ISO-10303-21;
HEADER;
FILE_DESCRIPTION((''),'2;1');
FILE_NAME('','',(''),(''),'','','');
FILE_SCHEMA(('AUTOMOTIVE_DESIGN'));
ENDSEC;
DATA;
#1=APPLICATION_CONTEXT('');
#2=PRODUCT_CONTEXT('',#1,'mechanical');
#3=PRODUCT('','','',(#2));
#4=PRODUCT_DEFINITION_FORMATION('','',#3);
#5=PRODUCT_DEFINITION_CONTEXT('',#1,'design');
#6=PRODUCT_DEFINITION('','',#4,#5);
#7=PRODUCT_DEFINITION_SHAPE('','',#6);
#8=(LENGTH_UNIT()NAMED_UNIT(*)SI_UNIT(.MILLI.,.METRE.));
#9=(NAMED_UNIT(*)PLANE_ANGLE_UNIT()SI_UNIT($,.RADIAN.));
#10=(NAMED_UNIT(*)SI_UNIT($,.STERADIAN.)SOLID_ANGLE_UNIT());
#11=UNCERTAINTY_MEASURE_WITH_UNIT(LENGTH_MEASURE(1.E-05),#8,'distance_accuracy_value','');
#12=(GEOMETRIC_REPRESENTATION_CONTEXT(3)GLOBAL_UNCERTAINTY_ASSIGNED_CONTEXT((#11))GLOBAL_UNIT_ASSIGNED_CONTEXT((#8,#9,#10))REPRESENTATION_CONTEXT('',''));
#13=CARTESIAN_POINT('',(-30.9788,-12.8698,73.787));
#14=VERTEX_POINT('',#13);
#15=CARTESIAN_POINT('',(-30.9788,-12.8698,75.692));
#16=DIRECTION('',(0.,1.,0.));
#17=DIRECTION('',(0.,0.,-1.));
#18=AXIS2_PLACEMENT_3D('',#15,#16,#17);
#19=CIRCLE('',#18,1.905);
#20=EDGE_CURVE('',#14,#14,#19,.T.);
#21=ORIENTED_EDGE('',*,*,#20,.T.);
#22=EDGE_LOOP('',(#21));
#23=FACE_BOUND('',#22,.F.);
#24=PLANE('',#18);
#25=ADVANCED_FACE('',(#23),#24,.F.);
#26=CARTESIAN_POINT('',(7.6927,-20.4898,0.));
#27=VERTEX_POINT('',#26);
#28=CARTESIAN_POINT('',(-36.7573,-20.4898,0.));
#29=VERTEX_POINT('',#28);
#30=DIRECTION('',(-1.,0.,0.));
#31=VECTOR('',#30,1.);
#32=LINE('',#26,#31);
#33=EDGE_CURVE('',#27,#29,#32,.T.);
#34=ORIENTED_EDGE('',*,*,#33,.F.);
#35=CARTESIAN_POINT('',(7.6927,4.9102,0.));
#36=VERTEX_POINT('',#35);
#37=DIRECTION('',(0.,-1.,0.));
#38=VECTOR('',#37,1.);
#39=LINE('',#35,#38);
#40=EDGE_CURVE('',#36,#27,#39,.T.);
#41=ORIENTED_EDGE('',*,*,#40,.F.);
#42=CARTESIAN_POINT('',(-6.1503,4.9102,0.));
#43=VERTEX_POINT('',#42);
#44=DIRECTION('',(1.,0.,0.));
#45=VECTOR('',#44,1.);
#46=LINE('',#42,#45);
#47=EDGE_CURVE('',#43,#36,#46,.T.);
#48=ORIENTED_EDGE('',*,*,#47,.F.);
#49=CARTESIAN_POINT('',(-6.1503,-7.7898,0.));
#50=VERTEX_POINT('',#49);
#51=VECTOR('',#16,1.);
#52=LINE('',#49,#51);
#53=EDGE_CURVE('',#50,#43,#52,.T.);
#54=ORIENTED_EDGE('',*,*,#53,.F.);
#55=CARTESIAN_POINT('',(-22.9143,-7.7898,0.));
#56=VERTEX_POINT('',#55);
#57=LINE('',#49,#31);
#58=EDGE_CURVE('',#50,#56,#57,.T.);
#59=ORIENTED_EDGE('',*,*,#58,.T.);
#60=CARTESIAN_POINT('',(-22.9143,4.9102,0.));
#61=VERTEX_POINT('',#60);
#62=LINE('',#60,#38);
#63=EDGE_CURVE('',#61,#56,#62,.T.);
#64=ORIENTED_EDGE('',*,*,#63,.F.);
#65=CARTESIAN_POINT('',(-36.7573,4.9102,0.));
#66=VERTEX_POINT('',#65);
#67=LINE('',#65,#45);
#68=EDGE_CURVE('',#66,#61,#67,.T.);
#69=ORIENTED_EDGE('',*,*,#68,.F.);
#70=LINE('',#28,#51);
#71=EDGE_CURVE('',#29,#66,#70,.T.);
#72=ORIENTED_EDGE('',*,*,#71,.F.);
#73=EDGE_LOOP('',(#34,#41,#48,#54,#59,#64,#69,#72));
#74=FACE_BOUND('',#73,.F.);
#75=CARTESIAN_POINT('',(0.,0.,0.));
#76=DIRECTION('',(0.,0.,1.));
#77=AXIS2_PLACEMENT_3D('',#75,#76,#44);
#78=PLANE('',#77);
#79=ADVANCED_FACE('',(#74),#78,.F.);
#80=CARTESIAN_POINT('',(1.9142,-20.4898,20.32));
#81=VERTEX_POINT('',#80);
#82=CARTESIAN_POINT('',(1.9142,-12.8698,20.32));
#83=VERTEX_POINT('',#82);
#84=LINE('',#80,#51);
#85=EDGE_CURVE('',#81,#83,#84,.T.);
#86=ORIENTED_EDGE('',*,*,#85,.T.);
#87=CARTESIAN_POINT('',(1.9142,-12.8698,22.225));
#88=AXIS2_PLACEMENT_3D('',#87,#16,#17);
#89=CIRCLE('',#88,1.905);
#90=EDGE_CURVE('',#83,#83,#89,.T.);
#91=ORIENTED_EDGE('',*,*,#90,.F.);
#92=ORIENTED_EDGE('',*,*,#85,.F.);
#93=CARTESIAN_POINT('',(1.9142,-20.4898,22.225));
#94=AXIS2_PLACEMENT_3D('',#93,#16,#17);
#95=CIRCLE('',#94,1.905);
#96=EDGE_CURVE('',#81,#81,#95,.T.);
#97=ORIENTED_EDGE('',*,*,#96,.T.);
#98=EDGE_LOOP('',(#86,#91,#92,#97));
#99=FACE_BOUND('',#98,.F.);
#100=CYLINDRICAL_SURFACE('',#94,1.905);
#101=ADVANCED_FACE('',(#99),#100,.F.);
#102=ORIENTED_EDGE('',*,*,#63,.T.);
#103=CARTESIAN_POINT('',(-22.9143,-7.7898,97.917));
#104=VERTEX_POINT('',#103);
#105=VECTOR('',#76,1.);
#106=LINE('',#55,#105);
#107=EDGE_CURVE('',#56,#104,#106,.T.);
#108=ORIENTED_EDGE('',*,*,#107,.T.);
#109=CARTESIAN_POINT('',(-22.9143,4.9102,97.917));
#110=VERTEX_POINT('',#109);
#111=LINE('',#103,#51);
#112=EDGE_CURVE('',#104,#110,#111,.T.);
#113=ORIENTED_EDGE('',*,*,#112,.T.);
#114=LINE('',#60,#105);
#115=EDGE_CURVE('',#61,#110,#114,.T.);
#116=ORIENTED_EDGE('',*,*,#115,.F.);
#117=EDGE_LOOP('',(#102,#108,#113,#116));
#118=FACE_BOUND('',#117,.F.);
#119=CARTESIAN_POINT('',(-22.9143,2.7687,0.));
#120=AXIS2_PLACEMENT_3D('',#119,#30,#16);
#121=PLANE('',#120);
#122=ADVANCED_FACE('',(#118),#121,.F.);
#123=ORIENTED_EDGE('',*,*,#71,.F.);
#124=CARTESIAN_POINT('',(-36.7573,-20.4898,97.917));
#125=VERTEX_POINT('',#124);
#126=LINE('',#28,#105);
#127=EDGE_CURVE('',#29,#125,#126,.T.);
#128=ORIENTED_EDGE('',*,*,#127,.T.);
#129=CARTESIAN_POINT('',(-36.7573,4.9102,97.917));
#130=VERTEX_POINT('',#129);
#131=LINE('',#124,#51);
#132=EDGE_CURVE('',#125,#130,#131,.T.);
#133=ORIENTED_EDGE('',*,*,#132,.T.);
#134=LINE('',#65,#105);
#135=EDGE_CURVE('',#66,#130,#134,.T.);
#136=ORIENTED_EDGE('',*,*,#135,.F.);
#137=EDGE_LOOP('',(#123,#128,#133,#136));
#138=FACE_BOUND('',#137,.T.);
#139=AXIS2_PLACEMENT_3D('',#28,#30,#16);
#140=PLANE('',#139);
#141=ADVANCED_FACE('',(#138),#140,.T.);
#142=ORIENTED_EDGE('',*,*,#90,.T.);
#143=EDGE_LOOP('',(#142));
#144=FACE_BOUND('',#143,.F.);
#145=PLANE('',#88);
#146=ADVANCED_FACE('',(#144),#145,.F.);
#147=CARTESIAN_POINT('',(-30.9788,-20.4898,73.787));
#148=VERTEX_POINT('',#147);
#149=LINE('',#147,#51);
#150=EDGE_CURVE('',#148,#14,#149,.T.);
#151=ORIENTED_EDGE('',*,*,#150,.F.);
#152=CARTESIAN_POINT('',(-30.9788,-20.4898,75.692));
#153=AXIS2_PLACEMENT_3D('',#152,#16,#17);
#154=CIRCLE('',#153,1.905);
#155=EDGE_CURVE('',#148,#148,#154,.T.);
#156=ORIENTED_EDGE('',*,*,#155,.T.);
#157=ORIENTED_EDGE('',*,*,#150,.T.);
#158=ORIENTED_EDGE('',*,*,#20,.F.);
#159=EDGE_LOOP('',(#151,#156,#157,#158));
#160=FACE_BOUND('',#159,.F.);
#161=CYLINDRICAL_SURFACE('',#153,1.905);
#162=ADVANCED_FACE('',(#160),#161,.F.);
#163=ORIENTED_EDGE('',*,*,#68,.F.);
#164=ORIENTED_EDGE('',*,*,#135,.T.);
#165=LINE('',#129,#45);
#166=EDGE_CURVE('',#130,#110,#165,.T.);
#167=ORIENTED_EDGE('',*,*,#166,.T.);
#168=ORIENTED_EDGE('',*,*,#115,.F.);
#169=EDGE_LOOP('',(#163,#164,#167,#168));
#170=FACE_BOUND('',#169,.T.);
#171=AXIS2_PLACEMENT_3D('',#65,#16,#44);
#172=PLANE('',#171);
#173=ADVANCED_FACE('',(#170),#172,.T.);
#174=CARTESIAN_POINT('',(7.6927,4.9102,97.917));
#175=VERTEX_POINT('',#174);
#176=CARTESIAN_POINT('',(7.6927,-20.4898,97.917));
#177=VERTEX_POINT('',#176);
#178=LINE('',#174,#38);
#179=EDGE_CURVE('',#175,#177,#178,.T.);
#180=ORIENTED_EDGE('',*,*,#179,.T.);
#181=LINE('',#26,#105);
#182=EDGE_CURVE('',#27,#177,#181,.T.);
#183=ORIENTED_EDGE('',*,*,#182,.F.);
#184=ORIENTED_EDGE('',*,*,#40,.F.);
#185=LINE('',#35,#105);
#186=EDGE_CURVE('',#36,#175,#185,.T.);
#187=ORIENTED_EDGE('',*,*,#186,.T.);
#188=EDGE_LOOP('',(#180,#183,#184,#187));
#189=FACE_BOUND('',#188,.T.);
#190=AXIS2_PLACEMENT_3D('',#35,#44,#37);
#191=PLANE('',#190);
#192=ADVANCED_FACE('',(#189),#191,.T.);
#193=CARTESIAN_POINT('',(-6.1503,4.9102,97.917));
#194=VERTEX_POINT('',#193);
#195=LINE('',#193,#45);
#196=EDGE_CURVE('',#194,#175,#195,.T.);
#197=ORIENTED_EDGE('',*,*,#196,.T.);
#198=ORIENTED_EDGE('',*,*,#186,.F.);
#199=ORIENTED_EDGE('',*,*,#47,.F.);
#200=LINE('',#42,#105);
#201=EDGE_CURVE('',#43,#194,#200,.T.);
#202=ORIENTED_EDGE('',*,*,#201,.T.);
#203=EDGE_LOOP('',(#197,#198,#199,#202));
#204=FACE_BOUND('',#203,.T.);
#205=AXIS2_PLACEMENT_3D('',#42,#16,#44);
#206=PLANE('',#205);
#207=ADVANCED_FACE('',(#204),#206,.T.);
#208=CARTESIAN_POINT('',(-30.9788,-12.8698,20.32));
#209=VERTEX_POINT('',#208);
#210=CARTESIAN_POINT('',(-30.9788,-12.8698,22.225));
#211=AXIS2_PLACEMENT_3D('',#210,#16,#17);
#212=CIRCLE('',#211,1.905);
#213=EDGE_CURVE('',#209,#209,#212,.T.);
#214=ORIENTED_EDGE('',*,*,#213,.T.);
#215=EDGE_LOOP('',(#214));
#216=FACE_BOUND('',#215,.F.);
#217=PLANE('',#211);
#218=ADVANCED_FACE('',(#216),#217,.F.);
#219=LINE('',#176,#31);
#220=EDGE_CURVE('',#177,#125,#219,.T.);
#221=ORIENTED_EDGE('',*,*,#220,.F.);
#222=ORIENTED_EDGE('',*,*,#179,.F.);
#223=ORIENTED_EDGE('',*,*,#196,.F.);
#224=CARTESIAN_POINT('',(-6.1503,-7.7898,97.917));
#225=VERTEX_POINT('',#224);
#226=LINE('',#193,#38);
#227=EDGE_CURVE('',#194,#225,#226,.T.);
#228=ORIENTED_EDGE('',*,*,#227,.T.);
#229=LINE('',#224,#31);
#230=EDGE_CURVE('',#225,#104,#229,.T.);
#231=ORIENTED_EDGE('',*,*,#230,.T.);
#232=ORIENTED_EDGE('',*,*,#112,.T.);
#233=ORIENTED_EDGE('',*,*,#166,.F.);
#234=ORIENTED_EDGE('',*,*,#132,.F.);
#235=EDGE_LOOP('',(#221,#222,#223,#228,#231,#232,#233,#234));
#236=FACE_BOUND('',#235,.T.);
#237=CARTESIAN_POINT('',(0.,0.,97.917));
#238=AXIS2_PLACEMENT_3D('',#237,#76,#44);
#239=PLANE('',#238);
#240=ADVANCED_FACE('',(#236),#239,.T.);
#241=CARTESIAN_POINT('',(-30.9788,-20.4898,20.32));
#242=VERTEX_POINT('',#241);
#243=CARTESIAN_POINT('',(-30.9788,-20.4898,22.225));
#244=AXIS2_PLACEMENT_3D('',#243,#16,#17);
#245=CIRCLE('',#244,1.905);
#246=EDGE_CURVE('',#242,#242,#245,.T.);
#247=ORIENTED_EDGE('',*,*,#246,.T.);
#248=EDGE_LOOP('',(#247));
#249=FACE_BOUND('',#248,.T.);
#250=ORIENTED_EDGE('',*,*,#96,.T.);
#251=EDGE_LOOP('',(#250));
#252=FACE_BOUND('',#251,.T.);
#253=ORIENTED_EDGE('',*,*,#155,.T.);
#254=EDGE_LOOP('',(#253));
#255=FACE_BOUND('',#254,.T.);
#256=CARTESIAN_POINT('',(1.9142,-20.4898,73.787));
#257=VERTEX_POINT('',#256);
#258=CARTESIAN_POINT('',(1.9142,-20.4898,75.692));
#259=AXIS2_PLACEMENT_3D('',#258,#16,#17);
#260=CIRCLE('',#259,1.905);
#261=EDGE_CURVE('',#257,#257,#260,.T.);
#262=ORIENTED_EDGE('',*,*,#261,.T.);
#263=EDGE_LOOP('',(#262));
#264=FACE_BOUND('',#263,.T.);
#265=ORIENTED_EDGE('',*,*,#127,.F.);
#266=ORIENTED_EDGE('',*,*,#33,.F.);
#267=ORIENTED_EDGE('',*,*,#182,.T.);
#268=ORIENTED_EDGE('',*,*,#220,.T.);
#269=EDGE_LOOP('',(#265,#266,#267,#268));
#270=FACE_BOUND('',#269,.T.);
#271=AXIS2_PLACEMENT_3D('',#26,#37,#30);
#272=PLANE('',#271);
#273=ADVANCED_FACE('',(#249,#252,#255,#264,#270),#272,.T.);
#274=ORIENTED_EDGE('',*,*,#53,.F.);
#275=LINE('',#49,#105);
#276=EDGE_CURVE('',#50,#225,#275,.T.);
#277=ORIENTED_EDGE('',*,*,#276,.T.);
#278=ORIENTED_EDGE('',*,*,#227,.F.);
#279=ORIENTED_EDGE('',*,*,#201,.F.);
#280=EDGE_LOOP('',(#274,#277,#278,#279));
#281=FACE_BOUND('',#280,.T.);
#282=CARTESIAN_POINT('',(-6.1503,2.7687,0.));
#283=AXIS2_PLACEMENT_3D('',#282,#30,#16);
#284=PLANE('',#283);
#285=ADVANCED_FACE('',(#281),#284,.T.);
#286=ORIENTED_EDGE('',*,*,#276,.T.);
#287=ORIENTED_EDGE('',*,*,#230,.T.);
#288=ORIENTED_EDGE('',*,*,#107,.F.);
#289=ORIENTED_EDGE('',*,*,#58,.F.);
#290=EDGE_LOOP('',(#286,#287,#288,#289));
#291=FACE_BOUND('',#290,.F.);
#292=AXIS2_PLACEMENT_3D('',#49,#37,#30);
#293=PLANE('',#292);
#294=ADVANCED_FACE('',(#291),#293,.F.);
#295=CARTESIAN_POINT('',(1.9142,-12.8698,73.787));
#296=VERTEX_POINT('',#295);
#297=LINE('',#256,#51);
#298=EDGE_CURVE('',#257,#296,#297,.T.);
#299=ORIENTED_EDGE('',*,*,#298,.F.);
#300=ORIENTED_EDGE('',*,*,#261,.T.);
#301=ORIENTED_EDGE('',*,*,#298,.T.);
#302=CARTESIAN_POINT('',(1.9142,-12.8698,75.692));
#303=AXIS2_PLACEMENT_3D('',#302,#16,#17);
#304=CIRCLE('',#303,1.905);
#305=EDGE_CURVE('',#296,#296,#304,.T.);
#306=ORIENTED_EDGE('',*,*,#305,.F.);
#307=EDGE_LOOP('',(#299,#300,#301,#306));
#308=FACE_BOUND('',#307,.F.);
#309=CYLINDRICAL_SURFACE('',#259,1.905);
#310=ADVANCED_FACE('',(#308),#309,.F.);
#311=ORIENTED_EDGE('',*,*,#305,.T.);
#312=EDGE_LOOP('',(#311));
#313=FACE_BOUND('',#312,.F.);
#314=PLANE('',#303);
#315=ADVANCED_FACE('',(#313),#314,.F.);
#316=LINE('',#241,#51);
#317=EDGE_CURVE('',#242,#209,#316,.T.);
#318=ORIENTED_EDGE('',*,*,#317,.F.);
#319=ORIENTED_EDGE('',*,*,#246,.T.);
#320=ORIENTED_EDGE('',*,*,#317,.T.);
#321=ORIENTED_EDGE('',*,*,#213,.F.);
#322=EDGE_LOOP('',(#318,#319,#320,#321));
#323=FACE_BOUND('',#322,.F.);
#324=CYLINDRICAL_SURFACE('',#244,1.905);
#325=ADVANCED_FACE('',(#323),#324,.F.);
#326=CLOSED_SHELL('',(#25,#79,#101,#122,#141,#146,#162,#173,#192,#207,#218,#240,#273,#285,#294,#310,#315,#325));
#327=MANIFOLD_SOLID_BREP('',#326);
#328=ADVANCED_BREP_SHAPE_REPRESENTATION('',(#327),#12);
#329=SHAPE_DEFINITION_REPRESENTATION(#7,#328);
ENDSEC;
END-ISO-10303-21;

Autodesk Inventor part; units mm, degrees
ref_plane "YZ Plane" through (0, 0, 0) normal (1, 0, 0) x (0, 1, 0)
ref_plane "XZ Plane" through (0, 0, 0) normal (0, 1, 0) x (-1, 0, 0)
ref_plane "XY Plane" through (0, 0, 0) normal (0, 0, 1) x (1, 0, 0)
sketch "Sketch1" plane through (0, 0, 0) normal (0, 0, 1) x (1, 0, 0)
  line L0 (7.6927, 4.9102) -> (7.6927, -20.4898)
  line L1 (7.6927, -20.4898) -> (-36.7573, -20.4898)
  line L2 (-36.7573, -20.4898) -> (-36.7573, 4.9102)
  line L3 (-6.1503, 2.7687) -> (-6.1503, -7.7898)
  line L4 (-6.1503, -7.7898) -> (-22.9143, -7.7898)
  line L5 (-22.9143, -7.7898) -> (-22.9143, 2.7687)
  line L6 (-22.9143, 2.7687) -> (-22.9143, 4.9102)
  line L7 (-6.1503, 2.7687) -> (-6.1503, 4.9102)
  line L8 (-36.7573, 4.9102) -> (-22.9143, 4.9102)
  line L9 (-6.1503, 4.9102) -> (7.6927, 4.9102)
  point P0 (0, 0)
  dimension "d0" = 44.45
  dimension "d1" = 25.4
  dimension "d2" = 16.764
  dimension "d4" = 13.843
  dimension "d5" = 13.843
  dimension "d6" = 12.7
extrude "Extrusion1" add sketch "Sketch1" along normal blind 97.917
sketch "Sketch2" plane through (-36.7573, -20.4898, 0) normal (0, -1, 0) x (1, 0, 0)
  line L0 (44.45, 0) -> (44.45, 97.917) projected
  line L1 (0, 0) -> (0, 97.917) projected
  line L2 (0, 0) -> (44.45, 0) projected
  line L3 (0, 97.917) -> (44.45, 97.917) projected
  point P0 (36.7573, 0)
  point P1 (38.6715, 22.225)
  point P2 (5.7785, 22.225)
  point P3 (5.7785, 75.692)
  point P4 (38.6715, 75.692)
  dimension "d9" = 5.7785
  dimension "d10" = 5.7785
  dimension "d11" = 22.225
  dimension "d12" = 22.225
  dimension "d13" = 5.7785
  dimension "d14" = 5.7785
  dimension "d15" = 22.225
  dimension "d16" = 22.225
  dimension "d17" = 53.467
  dimension "d18" = 53.467
hole "Hole1" at (1.9142, -20.4898, 22.225) at (-30.9788, -20.4898, 22.225) at (-30.9788, -20.4898, 75.692) at (1.9142, -20.4898, 75.692) direction (0, 1, 0) diameter 3.81 depth 7.62
equation "\"d10\" = d9"
equation "\"d12\" = d11"
equation "\"d13\" = d9"
equation "\"d14\" = d9"
equation "\"d15\" = d11"
equation "\"d16\" = d11"
properties part number "Rail Slider"
